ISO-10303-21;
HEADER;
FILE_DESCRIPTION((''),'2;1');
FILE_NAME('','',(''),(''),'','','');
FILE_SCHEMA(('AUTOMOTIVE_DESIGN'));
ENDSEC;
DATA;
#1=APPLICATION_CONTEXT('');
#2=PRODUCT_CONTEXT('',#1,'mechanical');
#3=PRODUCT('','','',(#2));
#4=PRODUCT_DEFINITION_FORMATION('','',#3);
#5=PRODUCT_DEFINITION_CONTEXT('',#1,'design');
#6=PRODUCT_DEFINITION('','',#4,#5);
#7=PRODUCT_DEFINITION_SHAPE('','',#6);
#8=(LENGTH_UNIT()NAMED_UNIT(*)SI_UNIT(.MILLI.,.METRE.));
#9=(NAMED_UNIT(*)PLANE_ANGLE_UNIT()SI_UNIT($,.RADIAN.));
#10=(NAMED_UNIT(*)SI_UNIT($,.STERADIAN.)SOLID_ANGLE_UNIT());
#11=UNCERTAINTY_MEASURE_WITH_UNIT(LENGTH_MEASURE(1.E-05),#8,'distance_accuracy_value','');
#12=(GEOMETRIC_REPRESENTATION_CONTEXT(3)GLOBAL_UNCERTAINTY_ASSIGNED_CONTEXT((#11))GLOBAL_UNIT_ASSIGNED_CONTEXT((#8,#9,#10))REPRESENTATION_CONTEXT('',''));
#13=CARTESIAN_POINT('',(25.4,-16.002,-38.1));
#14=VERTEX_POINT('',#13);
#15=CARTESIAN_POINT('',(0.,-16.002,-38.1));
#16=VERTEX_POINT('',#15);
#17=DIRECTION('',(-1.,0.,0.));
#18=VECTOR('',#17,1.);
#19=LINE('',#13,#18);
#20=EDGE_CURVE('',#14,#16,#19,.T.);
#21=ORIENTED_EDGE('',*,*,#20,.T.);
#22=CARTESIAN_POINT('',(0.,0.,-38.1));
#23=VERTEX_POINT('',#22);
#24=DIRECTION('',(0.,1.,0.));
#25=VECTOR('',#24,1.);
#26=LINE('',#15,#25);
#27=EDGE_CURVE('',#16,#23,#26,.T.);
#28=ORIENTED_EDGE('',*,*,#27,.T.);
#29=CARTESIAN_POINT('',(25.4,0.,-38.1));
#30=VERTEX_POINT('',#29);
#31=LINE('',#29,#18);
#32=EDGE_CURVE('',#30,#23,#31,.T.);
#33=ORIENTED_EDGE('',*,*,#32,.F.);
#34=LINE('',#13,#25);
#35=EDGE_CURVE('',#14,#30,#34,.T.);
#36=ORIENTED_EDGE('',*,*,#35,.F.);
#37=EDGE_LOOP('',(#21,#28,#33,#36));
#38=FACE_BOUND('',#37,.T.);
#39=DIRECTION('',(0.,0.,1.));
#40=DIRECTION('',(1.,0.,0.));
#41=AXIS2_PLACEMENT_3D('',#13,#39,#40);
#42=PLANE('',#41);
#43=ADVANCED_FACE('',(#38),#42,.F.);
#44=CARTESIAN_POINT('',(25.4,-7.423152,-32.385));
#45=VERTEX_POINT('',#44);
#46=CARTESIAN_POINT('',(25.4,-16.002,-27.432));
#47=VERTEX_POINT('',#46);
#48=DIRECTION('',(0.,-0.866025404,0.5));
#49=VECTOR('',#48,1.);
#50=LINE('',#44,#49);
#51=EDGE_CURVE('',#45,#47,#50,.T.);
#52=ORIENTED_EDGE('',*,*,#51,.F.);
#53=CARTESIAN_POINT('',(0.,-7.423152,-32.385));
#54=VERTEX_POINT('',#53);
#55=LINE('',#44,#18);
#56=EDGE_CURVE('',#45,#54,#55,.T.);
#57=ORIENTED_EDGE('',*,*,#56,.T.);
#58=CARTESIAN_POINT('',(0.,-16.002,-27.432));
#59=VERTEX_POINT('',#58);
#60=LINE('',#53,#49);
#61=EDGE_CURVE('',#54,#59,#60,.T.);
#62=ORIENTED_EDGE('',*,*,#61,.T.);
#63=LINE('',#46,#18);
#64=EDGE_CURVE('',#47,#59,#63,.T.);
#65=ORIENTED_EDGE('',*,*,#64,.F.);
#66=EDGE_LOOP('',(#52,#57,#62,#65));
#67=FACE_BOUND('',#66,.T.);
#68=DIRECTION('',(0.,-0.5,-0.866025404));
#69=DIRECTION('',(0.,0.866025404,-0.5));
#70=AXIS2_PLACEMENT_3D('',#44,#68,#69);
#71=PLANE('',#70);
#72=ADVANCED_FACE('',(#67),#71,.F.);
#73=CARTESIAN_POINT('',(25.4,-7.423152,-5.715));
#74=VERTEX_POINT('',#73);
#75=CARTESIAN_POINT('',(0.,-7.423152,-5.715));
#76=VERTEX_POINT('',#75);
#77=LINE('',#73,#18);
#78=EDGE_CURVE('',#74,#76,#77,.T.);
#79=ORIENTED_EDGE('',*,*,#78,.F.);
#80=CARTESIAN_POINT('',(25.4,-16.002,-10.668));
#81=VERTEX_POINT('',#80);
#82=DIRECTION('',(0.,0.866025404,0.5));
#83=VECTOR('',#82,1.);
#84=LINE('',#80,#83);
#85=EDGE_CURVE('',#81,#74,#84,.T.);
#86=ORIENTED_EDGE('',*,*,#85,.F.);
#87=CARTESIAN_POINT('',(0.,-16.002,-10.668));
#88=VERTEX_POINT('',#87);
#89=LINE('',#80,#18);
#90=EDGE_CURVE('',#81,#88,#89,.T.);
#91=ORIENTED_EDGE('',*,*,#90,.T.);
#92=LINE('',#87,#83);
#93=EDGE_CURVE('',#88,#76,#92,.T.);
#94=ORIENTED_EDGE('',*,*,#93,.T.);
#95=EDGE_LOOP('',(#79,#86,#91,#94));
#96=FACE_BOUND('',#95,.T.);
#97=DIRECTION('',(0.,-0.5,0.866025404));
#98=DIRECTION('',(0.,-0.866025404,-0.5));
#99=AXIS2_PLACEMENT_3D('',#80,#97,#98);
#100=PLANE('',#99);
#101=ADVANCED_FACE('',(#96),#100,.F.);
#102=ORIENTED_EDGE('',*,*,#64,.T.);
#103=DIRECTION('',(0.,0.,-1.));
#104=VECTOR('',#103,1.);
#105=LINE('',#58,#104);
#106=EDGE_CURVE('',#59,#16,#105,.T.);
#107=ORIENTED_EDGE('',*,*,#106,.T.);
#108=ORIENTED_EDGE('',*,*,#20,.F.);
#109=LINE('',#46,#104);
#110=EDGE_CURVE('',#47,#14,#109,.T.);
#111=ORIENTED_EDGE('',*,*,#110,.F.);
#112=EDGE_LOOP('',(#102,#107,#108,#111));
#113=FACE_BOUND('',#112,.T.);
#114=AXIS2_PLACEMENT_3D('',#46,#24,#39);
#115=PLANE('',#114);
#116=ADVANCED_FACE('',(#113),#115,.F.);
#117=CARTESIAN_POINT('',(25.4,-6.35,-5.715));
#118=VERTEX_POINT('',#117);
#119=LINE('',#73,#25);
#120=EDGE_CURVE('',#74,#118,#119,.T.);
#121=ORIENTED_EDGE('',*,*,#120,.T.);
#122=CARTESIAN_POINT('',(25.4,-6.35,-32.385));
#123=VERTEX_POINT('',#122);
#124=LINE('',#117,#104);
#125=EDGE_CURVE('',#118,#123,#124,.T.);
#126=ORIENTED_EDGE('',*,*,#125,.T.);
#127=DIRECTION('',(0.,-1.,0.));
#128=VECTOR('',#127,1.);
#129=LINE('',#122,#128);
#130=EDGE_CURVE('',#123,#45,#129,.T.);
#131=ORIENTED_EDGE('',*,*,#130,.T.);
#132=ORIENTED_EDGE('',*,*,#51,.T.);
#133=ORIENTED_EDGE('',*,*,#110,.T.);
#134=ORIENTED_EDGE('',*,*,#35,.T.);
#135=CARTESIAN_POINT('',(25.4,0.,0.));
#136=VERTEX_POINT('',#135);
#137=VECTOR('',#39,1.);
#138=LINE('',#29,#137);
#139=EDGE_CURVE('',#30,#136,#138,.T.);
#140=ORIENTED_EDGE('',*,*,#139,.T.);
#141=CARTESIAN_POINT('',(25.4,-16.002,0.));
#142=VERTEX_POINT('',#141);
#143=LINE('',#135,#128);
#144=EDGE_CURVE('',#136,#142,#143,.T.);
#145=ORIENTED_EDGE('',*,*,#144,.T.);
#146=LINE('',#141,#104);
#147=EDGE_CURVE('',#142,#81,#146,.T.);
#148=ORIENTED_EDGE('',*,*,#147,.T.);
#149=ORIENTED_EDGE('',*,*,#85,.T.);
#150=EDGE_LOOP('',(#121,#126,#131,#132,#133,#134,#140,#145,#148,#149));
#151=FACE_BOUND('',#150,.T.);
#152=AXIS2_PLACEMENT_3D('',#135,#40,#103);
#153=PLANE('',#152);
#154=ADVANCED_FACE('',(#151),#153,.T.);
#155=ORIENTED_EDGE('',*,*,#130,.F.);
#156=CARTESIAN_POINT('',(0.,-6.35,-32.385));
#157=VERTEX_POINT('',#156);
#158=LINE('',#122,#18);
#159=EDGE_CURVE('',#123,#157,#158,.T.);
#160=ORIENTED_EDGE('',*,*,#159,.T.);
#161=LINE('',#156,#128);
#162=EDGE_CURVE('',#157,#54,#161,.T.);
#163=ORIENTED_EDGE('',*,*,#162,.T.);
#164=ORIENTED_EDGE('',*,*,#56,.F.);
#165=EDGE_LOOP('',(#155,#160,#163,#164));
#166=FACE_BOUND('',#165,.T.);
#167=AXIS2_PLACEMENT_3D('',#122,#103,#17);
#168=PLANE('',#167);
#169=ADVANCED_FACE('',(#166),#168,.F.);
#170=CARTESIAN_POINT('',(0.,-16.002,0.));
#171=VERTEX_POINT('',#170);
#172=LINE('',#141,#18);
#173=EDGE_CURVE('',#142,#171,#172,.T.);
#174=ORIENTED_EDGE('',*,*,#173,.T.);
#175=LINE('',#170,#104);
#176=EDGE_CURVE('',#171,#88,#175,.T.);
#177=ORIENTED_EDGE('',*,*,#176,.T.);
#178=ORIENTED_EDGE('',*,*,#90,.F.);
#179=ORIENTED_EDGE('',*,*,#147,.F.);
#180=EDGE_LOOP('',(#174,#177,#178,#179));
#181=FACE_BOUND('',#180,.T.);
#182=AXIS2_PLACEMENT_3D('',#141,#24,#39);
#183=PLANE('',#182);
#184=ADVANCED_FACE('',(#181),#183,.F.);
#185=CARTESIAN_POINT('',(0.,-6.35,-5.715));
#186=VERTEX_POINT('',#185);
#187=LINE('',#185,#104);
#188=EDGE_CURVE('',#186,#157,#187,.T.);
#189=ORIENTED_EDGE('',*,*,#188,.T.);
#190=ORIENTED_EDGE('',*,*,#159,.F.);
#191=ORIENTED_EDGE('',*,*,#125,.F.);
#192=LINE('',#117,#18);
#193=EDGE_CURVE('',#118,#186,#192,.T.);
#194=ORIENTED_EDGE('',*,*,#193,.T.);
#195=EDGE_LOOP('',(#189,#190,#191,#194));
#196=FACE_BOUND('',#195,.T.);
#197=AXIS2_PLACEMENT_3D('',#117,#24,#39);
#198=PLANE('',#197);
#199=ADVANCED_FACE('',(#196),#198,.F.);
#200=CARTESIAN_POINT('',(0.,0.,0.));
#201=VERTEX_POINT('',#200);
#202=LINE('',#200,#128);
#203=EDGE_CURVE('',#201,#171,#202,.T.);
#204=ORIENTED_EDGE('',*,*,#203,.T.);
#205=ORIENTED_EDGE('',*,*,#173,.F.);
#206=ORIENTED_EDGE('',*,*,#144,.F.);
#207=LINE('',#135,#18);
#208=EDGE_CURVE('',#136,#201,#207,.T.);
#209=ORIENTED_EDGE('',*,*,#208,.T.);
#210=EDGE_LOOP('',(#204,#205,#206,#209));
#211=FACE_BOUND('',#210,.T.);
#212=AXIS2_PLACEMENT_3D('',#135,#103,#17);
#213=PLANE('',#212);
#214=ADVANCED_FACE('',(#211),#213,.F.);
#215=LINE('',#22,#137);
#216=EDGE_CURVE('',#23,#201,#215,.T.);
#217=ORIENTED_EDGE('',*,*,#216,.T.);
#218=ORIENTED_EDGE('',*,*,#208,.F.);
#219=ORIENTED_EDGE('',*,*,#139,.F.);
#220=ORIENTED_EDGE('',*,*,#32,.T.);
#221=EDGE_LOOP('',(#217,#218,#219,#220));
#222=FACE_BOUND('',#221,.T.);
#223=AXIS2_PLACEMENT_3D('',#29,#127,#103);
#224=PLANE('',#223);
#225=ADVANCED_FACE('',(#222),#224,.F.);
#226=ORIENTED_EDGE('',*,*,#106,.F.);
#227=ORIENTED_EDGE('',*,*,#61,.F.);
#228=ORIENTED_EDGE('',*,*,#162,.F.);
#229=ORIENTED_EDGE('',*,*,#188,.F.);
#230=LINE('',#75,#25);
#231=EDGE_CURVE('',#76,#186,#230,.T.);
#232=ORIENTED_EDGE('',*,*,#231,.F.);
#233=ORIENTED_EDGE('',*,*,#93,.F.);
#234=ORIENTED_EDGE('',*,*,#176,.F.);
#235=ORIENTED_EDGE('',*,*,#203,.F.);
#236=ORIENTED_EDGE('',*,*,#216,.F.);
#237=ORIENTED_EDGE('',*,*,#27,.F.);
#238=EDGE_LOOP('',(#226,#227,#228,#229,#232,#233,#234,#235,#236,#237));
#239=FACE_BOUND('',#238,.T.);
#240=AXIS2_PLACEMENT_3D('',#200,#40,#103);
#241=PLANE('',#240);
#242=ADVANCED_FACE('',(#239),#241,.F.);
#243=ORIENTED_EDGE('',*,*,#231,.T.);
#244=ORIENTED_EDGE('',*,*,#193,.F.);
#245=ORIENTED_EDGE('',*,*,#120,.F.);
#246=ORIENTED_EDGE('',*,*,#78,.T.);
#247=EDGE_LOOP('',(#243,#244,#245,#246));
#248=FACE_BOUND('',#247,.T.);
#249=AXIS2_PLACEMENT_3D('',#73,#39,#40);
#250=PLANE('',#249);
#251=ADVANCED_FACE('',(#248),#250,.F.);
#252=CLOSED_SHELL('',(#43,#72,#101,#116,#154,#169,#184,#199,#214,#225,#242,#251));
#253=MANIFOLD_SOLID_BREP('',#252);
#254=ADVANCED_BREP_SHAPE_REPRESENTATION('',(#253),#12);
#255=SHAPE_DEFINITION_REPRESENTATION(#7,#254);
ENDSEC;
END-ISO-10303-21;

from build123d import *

# Parameters (mm, degrees)
BOSS_EXTRUDE1_DEPTH = 25.4


with BuildPart() as part:
    # Sketch1 → Boss-Extrude1 (new body)
    with BuildSketch(Plane(origin=(0, 0, 0), x_dir=(0, 0, -1), z_dir=(1, 0, 0))):
        Polygon((0, 0), (0, -16.002), (10.668, -16.002), (5.715, -7.42315235), (5.715, -6.35), (32.385, -6.35), (32.385, -7.42315235), (27.432, -16.002), (38.1, -16.002), (38.1, 0), align=None)
    extrude(amount=BOSS_EXTRUDE1_DEPTH)


solid = part.part
